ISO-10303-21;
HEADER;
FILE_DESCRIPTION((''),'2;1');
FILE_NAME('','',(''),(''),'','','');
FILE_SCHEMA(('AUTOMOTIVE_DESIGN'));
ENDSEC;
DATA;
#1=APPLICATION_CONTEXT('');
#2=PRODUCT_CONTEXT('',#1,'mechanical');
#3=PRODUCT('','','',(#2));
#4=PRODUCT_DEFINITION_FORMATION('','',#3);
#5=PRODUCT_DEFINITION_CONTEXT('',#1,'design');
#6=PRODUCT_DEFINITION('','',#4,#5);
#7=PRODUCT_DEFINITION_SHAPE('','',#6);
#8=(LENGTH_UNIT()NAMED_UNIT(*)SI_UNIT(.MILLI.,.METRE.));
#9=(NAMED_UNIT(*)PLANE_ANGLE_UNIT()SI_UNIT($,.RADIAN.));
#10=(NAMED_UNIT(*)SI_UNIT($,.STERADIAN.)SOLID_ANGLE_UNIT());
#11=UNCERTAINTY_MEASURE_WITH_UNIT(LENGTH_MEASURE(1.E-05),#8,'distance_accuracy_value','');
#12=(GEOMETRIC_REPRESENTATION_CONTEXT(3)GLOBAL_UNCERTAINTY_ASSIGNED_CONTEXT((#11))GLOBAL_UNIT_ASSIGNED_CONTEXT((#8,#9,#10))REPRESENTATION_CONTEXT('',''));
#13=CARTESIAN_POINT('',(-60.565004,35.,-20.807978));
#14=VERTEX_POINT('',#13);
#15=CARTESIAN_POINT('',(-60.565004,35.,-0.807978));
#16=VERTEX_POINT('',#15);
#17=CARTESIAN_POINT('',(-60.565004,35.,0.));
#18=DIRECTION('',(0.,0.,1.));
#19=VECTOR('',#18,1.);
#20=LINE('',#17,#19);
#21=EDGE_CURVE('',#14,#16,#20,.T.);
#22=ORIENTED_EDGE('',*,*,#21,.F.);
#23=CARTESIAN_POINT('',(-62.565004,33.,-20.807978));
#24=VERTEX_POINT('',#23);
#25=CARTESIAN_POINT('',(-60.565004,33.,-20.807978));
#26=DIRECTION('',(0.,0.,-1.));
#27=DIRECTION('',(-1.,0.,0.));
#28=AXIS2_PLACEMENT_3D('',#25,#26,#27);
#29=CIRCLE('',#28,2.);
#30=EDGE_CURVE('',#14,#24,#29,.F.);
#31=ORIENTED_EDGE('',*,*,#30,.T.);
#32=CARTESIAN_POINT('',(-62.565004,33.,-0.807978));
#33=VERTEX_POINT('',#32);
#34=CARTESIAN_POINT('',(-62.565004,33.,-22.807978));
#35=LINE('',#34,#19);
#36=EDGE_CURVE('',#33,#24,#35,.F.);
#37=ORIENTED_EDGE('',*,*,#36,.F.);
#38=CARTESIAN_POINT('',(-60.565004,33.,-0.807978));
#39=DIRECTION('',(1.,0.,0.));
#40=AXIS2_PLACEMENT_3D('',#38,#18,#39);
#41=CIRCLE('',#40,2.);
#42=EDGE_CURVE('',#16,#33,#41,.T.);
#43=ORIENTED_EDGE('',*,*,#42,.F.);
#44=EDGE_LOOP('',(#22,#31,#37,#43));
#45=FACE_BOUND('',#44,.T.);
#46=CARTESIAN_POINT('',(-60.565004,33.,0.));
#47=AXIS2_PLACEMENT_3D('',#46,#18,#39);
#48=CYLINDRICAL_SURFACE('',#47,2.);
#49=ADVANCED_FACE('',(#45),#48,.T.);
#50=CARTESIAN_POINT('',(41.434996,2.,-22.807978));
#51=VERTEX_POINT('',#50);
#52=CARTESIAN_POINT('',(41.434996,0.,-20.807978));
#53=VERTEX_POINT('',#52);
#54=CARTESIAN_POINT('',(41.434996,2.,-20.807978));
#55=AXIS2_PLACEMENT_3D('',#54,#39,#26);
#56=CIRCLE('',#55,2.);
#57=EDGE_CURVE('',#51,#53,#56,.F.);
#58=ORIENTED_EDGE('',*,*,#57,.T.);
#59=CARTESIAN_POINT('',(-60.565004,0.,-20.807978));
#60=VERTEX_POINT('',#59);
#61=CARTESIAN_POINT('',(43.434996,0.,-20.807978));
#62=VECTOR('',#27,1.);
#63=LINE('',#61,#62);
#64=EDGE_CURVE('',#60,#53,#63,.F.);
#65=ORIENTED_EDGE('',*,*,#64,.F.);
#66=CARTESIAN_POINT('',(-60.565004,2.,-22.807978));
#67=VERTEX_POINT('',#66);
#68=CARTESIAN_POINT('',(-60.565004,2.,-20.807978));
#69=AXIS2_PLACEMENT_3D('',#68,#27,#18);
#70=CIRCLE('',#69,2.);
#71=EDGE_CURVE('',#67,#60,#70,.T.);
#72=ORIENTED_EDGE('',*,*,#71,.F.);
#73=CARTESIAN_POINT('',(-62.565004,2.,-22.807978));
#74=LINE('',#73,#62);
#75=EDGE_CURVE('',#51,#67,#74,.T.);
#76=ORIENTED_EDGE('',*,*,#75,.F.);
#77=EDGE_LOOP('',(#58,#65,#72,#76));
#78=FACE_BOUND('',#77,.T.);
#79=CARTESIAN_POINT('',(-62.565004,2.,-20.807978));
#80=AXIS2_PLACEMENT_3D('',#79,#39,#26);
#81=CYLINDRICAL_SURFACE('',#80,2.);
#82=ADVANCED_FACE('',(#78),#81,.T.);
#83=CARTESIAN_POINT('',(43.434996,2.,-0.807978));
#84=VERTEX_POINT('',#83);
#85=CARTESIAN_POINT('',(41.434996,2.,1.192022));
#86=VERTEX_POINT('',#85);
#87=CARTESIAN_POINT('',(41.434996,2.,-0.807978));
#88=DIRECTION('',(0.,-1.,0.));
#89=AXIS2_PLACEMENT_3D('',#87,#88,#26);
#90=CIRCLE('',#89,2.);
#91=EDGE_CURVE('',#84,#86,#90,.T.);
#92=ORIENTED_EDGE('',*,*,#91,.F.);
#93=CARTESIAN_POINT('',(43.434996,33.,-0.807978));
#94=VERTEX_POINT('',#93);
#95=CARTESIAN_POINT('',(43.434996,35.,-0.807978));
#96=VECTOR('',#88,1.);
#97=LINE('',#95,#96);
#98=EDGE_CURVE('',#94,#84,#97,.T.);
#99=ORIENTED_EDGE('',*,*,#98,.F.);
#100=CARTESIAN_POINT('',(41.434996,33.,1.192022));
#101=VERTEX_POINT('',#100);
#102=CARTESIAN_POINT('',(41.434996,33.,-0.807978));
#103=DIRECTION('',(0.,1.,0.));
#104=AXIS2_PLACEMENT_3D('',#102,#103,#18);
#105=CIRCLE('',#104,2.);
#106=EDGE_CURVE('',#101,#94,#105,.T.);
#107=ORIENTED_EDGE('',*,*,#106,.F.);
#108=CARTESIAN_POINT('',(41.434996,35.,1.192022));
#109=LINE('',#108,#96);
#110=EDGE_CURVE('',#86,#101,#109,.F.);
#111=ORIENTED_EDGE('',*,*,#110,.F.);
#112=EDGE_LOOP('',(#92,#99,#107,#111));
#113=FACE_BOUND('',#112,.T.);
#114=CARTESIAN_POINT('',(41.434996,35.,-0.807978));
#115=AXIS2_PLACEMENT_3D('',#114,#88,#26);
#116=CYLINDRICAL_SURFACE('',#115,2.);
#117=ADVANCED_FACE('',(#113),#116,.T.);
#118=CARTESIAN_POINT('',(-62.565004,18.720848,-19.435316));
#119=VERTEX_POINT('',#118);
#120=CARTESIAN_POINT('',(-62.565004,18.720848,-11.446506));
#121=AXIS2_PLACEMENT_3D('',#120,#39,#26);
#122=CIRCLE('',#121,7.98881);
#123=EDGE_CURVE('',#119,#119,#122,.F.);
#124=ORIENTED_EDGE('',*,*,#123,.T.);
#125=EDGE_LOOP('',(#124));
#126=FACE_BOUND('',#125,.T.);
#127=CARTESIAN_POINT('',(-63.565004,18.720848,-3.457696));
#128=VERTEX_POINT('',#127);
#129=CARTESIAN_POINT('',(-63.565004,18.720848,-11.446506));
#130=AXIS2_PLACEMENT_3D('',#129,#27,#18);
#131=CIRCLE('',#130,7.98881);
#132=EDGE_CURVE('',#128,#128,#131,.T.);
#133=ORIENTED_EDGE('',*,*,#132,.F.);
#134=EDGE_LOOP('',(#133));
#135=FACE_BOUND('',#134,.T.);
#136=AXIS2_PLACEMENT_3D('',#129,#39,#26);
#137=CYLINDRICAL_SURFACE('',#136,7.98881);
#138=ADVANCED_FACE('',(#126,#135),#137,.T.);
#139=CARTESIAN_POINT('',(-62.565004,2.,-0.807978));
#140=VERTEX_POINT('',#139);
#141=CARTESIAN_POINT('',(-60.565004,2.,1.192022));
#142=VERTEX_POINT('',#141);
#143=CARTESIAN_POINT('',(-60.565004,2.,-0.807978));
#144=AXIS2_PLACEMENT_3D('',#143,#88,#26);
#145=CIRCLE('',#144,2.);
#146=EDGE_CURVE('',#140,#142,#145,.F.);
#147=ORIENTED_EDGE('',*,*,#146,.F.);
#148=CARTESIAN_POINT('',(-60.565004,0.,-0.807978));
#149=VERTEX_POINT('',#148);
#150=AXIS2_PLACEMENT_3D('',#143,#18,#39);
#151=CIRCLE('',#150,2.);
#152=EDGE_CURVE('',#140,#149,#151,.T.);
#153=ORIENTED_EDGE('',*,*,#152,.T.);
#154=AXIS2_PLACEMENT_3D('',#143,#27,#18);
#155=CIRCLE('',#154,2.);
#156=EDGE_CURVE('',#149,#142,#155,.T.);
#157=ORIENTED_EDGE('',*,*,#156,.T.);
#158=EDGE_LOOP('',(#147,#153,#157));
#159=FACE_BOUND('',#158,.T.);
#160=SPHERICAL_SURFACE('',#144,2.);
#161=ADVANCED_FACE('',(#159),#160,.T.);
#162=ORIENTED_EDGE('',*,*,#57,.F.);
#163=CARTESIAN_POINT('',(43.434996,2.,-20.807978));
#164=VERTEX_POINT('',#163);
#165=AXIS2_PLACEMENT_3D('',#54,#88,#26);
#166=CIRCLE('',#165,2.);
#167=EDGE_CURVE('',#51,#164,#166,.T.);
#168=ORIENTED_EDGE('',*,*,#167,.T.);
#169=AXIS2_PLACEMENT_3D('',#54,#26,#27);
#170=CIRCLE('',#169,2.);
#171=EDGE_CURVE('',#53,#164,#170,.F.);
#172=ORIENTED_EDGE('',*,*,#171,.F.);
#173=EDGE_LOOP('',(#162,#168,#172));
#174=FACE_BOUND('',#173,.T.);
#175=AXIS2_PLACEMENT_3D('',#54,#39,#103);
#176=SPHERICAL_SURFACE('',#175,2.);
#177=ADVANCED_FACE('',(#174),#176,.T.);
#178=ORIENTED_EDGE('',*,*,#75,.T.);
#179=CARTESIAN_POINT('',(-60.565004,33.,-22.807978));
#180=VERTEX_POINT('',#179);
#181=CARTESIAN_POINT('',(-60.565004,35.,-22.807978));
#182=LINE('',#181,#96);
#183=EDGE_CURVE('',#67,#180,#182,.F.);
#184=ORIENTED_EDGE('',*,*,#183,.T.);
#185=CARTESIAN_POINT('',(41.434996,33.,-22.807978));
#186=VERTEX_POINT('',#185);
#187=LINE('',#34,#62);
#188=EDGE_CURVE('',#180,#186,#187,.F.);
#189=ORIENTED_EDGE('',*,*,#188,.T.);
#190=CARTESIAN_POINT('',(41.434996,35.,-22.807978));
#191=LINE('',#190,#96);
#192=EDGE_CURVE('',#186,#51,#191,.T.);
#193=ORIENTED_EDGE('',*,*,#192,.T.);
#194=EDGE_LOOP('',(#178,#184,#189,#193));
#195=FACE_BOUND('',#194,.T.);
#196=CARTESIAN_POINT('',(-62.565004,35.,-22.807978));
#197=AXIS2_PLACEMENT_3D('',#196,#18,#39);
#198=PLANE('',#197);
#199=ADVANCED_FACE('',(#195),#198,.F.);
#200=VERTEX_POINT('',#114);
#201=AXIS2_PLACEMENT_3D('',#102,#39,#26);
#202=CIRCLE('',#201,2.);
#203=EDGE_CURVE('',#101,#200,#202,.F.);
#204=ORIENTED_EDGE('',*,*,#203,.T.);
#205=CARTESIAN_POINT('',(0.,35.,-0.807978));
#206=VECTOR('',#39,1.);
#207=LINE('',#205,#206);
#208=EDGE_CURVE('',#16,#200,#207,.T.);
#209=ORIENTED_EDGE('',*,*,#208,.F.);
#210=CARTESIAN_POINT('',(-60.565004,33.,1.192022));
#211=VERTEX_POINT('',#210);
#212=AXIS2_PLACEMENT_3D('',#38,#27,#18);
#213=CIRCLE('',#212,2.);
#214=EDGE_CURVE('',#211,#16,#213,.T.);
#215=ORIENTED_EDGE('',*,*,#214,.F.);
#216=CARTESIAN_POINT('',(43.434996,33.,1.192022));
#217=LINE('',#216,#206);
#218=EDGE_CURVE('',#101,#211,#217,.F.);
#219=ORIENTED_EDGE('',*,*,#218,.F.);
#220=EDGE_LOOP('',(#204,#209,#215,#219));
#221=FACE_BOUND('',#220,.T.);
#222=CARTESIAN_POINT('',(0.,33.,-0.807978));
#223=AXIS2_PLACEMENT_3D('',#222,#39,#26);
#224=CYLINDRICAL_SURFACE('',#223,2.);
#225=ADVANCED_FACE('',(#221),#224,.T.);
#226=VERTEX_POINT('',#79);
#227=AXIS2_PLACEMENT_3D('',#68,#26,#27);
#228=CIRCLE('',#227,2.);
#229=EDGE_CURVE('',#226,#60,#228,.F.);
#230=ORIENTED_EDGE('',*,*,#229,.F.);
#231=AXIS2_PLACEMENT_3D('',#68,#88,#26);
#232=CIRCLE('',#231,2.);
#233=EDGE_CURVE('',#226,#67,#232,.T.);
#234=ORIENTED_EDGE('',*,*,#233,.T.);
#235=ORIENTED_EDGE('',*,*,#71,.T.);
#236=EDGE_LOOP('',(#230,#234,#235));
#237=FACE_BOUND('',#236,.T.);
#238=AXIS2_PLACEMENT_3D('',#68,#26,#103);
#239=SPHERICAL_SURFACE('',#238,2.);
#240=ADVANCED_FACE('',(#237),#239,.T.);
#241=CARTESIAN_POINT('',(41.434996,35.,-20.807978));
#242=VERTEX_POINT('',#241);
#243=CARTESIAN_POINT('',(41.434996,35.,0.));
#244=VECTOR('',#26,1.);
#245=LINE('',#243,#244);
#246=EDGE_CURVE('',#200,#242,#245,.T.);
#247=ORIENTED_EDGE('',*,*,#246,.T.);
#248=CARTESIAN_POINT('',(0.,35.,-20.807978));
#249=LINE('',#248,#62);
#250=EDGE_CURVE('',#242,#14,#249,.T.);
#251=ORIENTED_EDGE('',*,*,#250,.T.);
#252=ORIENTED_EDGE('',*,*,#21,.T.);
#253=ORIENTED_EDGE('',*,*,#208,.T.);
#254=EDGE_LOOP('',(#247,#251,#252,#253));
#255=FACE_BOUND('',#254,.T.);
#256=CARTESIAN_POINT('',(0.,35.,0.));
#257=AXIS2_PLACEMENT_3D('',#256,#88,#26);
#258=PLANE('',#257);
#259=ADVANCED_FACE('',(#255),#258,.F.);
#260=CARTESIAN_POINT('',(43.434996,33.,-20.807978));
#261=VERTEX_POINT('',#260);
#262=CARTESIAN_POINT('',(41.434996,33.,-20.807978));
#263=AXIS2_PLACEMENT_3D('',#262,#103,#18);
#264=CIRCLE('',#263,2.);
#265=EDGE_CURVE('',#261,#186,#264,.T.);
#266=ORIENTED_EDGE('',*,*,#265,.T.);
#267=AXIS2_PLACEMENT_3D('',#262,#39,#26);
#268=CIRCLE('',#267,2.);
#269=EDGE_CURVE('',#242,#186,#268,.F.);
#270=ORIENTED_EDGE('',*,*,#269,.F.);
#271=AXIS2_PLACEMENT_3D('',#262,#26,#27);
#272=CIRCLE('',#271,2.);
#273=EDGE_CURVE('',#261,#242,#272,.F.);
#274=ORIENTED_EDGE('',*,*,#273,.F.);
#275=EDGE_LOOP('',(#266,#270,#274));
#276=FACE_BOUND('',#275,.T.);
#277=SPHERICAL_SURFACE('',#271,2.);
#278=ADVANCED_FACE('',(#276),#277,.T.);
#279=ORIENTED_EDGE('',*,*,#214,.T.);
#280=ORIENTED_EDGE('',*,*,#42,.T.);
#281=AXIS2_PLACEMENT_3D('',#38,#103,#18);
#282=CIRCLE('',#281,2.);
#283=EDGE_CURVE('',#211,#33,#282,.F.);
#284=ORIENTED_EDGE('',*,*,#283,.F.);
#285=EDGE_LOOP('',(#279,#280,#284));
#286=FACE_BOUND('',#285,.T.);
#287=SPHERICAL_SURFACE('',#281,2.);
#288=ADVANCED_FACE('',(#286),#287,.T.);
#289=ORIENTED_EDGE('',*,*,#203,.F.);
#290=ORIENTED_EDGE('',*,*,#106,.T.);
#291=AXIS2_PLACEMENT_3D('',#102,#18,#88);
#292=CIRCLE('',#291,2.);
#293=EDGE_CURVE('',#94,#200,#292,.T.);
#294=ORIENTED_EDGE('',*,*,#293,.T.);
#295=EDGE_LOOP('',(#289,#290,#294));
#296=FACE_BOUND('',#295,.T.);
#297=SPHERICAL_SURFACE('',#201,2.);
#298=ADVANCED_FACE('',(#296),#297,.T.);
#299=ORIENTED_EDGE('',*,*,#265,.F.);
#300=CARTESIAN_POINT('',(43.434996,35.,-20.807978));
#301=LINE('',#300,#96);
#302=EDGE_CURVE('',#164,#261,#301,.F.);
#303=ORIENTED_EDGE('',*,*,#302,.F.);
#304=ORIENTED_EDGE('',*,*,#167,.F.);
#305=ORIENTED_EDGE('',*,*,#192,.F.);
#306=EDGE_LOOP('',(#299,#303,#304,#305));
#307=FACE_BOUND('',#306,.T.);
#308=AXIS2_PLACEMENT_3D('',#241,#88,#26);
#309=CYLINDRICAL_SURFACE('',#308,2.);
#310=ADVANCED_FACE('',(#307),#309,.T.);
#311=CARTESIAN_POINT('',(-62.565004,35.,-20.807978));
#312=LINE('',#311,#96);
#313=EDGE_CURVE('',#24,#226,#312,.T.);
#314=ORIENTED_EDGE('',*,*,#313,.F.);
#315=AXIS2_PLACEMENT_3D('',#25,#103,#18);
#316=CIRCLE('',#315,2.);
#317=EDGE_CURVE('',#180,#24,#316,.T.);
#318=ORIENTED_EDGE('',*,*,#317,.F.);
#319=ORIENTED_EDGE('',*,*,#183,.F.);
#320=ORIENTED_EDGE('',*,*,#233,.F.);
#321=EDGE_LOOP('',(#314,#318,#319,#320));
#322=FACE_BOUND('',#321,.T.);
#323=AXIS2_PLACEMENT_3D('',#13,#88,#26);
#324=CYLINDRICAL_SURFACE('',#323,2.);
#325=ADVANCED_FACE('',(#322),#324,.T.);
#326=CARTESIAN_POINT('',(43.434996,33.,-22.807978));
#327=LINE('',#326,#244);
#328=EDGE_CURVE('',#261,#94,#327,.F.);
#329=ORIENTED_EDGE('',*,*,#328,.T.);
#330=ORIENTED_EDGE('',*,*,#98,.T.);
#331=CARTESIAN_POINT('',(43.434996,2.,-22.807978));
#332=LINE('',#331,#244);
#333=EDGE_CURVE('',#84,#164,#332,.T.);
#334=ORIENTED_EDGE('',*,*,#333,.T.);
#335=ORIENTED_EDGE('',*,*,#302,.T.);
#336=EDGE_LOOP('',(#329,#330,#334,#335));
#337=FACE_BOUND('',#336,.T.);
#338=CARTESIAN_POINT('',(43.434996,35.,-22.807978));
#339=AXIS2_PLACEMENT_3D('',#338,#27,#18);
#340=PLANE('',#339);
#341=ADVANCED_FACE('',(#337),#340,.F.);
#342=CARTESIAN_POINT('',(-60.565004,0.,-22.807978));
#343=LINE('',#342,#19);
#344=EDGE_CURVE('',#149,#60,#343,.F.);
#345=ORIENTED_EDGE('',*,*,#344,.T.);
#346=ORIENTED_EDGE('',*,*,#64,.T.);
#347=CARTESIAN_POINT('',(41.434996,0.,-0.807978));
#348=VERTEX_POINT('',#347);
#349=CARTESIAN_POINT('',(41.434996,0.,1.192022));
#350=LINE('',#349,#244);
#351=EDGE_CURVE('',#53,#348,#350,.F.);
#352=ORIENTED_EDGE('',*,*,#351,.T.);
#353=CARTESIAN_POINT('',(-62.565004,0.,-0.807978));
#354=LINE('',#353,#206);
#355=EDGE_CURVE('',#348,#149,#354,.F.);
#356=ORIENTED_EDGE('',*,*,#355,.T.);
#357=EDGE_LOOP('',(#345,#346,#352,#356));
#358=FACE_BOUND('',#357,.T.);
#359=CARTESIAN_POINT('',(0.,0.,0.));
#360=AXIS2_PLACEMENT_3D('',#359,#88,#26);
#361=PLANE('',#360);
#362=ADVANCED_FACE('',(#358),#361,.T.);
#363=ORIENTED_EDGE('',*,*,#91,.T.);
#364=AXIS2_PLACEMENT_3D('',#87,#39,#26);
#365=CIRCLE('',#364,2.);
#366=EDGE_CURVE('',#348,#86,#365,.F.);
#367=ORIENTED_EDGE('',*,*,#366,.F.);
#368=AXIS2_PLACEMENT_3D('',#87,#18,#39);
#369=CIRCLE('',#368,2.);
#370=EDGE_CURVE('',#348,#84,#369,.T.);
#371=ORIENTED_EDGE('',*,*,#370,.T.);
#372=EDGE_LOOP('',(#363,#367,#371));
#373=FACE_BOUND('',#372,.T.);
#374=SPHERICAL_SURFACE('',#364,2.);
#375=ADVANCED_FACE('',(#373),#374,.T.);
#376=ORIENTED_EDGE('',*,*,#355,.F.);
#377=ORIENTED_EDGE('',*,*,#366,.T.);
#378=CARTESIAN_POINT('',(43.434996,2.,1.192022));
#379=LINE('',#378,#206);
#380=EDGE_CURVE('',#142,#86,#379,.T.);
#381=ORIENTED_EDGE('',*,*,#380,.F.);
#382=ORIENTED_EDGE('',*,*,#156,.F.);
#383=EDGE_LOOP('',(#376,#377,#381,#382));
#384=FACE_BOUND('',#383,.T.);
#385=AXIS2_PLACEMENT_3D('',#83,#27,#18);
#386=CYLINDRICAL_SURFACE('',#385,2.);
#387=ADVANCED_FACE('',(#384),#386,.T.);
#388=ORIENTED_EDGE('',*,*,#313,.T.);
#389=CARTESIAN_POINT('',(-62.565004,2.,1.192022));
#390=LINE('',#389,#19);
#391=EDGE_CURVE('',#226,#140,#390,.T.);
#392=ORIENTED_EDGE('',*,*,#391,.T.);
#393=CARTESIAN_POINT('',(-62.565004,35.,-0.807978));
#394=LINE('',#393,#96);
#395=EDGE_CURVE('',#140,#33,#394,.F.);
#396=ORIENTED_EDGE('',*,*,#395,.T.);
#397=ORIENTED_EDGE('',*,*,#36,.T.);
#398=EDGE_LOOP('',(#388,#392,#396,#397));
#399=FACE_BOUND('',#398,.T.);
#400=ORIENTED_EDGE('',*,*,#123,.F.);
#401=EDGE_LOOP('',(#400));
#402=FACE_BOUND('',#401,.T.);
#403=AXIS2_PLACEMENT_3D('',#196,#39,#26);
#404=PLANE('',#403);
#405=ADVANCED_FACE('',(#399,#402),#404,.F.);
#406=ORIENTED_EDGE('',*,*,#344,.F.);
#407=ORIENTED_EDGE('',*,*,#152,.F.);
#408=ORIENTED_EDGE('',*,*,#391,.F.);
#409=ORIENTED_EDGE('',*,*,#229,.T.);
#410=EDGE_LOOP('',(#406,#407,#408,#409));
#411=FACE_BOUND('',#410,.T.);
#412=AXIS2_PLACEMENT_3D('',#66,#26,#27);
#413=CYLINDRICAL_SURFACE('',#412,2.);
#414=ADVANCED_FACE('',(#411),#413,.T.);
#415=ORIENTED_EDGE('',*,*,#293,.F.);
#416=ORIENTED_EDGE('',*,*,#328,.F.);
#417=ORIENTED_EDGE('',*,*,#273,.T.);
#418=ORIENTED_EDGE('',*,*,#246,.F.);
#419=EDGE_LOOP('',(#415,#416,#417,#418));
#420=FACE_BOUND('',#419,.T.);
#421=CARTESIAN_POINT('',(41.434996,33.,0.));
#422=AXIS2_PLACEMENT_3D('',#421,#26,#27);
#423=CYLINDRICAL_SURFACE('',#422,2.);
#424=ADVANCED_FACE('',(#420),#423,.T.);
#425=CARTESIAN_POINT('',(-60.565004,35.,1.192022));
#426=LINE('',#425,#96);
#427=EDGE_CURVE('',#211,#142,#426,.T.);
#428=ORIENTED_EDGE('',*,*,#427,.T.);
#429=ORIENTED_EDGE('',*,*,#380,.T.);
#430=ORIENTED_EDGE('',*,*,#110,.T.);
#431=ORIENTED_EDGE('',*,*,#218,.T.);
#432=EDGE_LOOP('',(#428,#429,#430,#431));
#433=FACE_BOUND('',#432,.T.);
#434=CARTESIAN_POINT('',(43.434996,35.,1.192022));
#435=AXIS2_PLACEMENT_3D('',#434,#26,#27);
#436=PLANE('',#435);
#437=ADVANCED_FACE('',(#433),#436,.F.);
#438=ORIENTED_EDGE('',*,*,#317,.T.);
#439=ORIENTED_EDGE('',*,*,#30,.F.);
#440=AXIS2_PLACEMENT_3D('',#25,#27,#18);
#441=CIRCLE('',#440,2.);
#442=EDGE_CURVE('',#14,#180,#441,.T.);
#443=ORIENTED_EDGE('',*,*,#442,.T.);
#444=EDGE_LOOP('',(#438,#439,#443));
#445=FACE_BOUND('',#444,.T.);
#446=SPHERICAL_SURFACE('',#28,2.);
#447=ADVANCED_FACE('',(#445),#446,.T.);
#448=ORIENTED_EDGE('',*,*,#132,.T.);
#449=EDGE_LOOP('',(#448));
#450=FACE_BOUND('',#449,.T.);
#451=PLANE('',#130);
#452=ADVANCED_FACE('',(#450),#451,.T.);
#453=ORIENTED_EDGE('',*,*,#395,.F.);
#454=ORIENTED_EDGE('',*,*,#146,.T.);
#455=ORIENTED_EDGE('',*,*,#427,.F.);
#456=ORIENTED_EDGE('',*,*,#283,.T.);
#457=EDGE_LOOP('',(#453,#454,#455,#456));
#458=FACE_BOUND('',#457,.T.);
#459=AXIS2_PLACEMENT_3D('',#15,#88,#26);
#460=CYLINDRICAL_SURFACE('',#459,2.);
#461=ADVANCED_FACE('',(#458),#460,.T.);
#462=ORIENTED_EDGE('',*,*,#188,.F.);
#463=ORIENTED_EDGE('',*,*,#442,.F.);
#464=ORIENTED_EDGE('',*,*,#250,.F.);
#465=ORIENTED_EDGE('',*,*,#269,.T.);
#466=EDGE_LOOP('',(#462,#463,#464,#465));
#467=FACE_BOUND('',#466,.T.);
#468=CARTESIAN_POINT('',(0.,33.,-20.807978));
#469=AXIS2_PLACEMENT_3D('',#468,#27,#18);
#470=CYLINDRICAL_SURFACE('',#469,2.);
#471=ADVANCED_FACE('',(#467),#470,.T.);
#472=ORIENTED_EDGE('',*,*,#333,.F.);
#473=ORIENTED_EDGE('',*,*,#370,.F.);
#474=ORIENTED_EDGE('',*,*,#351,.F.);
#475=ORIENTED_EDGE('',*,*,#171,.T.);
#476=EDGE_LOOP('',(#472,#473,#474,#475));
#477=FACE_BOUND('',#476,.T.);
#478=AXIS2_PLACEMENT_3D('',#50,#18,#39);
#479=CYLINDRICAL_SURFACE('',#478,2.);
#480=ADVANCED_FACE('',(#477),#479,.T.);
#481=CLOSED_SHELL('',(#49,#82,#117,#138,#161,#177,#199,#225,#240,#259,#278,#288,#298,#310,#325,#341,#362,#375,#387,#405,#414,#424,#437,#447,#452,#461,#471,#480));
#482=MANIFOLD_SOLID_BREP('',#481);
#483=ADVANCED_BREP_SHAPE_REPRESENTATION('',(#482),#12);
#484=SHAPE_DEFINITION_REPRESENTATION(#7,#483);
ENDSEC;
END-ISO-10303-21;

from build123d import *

# Parameters (mm, degrees)
SKETCH1_W           = 106
SKETCH1_H           = 24
BOSS_EXTRUDE1_DEPTH = 35
FILLET1_R           = 2
SKETCH2_R           = 7.98880999
BOSS_EXTRUDE2_DEPTH = 1


with BuildPart() as part:
    # Sketch1 → Boss-Extrude1 (new body)
    with BuildSketch(Plane(origin=(0, 0, 0), x_dir=(1, 0, 0), z_dir=(0, 1, 0))):
        with Locations((-9.565003902, 10.807978011)):
            Rectangle(SKETCH1_W, SKETCH1_H)
    extrude(amount=BOSS_EXTRUDE1_DEPTH)

    # Fillet1
    fillet1_edges = [part.edges().sort_by_distance(p)[0] for p in [
        (43.434996098, 35, -10.807978011),
        (-9.565003902, 35, -22.807978011),
        (-62.565003902, 35, -10.807978011),
        (-9.565003902, 0, -22.807978011),
        (43.434996098, 0, -10.807978011),
        (-9.565003902, 0, 1.192021989),
        (-62.565003902, 0, -10.807978011),
        (-62.565003902, 17.5, -22.807978011),
        (43.434996098, 17.5, -22.807978011),
        (43.434996098, 17.5, 1.192021989),
        (-62.565003902, 17.5, 1.192021989),
        (-9.565003902, 35, 1.192021989),
    ]]
    fillet(fillet1_edges, radius=FILLET1_R)

    # Sketch2 → Boss-Extrude2 (add)
    with BuildSketch(Plane.ZY.offset(62.565003902)):
        with Locations(Location((-11.446505624, 18.72084807, 0), (0, 0, 180))):
            Circle(SKETCH2_R)
    extrude(amount=BOSS_EXTRUDE2_DEPTH)


solid = part.part
